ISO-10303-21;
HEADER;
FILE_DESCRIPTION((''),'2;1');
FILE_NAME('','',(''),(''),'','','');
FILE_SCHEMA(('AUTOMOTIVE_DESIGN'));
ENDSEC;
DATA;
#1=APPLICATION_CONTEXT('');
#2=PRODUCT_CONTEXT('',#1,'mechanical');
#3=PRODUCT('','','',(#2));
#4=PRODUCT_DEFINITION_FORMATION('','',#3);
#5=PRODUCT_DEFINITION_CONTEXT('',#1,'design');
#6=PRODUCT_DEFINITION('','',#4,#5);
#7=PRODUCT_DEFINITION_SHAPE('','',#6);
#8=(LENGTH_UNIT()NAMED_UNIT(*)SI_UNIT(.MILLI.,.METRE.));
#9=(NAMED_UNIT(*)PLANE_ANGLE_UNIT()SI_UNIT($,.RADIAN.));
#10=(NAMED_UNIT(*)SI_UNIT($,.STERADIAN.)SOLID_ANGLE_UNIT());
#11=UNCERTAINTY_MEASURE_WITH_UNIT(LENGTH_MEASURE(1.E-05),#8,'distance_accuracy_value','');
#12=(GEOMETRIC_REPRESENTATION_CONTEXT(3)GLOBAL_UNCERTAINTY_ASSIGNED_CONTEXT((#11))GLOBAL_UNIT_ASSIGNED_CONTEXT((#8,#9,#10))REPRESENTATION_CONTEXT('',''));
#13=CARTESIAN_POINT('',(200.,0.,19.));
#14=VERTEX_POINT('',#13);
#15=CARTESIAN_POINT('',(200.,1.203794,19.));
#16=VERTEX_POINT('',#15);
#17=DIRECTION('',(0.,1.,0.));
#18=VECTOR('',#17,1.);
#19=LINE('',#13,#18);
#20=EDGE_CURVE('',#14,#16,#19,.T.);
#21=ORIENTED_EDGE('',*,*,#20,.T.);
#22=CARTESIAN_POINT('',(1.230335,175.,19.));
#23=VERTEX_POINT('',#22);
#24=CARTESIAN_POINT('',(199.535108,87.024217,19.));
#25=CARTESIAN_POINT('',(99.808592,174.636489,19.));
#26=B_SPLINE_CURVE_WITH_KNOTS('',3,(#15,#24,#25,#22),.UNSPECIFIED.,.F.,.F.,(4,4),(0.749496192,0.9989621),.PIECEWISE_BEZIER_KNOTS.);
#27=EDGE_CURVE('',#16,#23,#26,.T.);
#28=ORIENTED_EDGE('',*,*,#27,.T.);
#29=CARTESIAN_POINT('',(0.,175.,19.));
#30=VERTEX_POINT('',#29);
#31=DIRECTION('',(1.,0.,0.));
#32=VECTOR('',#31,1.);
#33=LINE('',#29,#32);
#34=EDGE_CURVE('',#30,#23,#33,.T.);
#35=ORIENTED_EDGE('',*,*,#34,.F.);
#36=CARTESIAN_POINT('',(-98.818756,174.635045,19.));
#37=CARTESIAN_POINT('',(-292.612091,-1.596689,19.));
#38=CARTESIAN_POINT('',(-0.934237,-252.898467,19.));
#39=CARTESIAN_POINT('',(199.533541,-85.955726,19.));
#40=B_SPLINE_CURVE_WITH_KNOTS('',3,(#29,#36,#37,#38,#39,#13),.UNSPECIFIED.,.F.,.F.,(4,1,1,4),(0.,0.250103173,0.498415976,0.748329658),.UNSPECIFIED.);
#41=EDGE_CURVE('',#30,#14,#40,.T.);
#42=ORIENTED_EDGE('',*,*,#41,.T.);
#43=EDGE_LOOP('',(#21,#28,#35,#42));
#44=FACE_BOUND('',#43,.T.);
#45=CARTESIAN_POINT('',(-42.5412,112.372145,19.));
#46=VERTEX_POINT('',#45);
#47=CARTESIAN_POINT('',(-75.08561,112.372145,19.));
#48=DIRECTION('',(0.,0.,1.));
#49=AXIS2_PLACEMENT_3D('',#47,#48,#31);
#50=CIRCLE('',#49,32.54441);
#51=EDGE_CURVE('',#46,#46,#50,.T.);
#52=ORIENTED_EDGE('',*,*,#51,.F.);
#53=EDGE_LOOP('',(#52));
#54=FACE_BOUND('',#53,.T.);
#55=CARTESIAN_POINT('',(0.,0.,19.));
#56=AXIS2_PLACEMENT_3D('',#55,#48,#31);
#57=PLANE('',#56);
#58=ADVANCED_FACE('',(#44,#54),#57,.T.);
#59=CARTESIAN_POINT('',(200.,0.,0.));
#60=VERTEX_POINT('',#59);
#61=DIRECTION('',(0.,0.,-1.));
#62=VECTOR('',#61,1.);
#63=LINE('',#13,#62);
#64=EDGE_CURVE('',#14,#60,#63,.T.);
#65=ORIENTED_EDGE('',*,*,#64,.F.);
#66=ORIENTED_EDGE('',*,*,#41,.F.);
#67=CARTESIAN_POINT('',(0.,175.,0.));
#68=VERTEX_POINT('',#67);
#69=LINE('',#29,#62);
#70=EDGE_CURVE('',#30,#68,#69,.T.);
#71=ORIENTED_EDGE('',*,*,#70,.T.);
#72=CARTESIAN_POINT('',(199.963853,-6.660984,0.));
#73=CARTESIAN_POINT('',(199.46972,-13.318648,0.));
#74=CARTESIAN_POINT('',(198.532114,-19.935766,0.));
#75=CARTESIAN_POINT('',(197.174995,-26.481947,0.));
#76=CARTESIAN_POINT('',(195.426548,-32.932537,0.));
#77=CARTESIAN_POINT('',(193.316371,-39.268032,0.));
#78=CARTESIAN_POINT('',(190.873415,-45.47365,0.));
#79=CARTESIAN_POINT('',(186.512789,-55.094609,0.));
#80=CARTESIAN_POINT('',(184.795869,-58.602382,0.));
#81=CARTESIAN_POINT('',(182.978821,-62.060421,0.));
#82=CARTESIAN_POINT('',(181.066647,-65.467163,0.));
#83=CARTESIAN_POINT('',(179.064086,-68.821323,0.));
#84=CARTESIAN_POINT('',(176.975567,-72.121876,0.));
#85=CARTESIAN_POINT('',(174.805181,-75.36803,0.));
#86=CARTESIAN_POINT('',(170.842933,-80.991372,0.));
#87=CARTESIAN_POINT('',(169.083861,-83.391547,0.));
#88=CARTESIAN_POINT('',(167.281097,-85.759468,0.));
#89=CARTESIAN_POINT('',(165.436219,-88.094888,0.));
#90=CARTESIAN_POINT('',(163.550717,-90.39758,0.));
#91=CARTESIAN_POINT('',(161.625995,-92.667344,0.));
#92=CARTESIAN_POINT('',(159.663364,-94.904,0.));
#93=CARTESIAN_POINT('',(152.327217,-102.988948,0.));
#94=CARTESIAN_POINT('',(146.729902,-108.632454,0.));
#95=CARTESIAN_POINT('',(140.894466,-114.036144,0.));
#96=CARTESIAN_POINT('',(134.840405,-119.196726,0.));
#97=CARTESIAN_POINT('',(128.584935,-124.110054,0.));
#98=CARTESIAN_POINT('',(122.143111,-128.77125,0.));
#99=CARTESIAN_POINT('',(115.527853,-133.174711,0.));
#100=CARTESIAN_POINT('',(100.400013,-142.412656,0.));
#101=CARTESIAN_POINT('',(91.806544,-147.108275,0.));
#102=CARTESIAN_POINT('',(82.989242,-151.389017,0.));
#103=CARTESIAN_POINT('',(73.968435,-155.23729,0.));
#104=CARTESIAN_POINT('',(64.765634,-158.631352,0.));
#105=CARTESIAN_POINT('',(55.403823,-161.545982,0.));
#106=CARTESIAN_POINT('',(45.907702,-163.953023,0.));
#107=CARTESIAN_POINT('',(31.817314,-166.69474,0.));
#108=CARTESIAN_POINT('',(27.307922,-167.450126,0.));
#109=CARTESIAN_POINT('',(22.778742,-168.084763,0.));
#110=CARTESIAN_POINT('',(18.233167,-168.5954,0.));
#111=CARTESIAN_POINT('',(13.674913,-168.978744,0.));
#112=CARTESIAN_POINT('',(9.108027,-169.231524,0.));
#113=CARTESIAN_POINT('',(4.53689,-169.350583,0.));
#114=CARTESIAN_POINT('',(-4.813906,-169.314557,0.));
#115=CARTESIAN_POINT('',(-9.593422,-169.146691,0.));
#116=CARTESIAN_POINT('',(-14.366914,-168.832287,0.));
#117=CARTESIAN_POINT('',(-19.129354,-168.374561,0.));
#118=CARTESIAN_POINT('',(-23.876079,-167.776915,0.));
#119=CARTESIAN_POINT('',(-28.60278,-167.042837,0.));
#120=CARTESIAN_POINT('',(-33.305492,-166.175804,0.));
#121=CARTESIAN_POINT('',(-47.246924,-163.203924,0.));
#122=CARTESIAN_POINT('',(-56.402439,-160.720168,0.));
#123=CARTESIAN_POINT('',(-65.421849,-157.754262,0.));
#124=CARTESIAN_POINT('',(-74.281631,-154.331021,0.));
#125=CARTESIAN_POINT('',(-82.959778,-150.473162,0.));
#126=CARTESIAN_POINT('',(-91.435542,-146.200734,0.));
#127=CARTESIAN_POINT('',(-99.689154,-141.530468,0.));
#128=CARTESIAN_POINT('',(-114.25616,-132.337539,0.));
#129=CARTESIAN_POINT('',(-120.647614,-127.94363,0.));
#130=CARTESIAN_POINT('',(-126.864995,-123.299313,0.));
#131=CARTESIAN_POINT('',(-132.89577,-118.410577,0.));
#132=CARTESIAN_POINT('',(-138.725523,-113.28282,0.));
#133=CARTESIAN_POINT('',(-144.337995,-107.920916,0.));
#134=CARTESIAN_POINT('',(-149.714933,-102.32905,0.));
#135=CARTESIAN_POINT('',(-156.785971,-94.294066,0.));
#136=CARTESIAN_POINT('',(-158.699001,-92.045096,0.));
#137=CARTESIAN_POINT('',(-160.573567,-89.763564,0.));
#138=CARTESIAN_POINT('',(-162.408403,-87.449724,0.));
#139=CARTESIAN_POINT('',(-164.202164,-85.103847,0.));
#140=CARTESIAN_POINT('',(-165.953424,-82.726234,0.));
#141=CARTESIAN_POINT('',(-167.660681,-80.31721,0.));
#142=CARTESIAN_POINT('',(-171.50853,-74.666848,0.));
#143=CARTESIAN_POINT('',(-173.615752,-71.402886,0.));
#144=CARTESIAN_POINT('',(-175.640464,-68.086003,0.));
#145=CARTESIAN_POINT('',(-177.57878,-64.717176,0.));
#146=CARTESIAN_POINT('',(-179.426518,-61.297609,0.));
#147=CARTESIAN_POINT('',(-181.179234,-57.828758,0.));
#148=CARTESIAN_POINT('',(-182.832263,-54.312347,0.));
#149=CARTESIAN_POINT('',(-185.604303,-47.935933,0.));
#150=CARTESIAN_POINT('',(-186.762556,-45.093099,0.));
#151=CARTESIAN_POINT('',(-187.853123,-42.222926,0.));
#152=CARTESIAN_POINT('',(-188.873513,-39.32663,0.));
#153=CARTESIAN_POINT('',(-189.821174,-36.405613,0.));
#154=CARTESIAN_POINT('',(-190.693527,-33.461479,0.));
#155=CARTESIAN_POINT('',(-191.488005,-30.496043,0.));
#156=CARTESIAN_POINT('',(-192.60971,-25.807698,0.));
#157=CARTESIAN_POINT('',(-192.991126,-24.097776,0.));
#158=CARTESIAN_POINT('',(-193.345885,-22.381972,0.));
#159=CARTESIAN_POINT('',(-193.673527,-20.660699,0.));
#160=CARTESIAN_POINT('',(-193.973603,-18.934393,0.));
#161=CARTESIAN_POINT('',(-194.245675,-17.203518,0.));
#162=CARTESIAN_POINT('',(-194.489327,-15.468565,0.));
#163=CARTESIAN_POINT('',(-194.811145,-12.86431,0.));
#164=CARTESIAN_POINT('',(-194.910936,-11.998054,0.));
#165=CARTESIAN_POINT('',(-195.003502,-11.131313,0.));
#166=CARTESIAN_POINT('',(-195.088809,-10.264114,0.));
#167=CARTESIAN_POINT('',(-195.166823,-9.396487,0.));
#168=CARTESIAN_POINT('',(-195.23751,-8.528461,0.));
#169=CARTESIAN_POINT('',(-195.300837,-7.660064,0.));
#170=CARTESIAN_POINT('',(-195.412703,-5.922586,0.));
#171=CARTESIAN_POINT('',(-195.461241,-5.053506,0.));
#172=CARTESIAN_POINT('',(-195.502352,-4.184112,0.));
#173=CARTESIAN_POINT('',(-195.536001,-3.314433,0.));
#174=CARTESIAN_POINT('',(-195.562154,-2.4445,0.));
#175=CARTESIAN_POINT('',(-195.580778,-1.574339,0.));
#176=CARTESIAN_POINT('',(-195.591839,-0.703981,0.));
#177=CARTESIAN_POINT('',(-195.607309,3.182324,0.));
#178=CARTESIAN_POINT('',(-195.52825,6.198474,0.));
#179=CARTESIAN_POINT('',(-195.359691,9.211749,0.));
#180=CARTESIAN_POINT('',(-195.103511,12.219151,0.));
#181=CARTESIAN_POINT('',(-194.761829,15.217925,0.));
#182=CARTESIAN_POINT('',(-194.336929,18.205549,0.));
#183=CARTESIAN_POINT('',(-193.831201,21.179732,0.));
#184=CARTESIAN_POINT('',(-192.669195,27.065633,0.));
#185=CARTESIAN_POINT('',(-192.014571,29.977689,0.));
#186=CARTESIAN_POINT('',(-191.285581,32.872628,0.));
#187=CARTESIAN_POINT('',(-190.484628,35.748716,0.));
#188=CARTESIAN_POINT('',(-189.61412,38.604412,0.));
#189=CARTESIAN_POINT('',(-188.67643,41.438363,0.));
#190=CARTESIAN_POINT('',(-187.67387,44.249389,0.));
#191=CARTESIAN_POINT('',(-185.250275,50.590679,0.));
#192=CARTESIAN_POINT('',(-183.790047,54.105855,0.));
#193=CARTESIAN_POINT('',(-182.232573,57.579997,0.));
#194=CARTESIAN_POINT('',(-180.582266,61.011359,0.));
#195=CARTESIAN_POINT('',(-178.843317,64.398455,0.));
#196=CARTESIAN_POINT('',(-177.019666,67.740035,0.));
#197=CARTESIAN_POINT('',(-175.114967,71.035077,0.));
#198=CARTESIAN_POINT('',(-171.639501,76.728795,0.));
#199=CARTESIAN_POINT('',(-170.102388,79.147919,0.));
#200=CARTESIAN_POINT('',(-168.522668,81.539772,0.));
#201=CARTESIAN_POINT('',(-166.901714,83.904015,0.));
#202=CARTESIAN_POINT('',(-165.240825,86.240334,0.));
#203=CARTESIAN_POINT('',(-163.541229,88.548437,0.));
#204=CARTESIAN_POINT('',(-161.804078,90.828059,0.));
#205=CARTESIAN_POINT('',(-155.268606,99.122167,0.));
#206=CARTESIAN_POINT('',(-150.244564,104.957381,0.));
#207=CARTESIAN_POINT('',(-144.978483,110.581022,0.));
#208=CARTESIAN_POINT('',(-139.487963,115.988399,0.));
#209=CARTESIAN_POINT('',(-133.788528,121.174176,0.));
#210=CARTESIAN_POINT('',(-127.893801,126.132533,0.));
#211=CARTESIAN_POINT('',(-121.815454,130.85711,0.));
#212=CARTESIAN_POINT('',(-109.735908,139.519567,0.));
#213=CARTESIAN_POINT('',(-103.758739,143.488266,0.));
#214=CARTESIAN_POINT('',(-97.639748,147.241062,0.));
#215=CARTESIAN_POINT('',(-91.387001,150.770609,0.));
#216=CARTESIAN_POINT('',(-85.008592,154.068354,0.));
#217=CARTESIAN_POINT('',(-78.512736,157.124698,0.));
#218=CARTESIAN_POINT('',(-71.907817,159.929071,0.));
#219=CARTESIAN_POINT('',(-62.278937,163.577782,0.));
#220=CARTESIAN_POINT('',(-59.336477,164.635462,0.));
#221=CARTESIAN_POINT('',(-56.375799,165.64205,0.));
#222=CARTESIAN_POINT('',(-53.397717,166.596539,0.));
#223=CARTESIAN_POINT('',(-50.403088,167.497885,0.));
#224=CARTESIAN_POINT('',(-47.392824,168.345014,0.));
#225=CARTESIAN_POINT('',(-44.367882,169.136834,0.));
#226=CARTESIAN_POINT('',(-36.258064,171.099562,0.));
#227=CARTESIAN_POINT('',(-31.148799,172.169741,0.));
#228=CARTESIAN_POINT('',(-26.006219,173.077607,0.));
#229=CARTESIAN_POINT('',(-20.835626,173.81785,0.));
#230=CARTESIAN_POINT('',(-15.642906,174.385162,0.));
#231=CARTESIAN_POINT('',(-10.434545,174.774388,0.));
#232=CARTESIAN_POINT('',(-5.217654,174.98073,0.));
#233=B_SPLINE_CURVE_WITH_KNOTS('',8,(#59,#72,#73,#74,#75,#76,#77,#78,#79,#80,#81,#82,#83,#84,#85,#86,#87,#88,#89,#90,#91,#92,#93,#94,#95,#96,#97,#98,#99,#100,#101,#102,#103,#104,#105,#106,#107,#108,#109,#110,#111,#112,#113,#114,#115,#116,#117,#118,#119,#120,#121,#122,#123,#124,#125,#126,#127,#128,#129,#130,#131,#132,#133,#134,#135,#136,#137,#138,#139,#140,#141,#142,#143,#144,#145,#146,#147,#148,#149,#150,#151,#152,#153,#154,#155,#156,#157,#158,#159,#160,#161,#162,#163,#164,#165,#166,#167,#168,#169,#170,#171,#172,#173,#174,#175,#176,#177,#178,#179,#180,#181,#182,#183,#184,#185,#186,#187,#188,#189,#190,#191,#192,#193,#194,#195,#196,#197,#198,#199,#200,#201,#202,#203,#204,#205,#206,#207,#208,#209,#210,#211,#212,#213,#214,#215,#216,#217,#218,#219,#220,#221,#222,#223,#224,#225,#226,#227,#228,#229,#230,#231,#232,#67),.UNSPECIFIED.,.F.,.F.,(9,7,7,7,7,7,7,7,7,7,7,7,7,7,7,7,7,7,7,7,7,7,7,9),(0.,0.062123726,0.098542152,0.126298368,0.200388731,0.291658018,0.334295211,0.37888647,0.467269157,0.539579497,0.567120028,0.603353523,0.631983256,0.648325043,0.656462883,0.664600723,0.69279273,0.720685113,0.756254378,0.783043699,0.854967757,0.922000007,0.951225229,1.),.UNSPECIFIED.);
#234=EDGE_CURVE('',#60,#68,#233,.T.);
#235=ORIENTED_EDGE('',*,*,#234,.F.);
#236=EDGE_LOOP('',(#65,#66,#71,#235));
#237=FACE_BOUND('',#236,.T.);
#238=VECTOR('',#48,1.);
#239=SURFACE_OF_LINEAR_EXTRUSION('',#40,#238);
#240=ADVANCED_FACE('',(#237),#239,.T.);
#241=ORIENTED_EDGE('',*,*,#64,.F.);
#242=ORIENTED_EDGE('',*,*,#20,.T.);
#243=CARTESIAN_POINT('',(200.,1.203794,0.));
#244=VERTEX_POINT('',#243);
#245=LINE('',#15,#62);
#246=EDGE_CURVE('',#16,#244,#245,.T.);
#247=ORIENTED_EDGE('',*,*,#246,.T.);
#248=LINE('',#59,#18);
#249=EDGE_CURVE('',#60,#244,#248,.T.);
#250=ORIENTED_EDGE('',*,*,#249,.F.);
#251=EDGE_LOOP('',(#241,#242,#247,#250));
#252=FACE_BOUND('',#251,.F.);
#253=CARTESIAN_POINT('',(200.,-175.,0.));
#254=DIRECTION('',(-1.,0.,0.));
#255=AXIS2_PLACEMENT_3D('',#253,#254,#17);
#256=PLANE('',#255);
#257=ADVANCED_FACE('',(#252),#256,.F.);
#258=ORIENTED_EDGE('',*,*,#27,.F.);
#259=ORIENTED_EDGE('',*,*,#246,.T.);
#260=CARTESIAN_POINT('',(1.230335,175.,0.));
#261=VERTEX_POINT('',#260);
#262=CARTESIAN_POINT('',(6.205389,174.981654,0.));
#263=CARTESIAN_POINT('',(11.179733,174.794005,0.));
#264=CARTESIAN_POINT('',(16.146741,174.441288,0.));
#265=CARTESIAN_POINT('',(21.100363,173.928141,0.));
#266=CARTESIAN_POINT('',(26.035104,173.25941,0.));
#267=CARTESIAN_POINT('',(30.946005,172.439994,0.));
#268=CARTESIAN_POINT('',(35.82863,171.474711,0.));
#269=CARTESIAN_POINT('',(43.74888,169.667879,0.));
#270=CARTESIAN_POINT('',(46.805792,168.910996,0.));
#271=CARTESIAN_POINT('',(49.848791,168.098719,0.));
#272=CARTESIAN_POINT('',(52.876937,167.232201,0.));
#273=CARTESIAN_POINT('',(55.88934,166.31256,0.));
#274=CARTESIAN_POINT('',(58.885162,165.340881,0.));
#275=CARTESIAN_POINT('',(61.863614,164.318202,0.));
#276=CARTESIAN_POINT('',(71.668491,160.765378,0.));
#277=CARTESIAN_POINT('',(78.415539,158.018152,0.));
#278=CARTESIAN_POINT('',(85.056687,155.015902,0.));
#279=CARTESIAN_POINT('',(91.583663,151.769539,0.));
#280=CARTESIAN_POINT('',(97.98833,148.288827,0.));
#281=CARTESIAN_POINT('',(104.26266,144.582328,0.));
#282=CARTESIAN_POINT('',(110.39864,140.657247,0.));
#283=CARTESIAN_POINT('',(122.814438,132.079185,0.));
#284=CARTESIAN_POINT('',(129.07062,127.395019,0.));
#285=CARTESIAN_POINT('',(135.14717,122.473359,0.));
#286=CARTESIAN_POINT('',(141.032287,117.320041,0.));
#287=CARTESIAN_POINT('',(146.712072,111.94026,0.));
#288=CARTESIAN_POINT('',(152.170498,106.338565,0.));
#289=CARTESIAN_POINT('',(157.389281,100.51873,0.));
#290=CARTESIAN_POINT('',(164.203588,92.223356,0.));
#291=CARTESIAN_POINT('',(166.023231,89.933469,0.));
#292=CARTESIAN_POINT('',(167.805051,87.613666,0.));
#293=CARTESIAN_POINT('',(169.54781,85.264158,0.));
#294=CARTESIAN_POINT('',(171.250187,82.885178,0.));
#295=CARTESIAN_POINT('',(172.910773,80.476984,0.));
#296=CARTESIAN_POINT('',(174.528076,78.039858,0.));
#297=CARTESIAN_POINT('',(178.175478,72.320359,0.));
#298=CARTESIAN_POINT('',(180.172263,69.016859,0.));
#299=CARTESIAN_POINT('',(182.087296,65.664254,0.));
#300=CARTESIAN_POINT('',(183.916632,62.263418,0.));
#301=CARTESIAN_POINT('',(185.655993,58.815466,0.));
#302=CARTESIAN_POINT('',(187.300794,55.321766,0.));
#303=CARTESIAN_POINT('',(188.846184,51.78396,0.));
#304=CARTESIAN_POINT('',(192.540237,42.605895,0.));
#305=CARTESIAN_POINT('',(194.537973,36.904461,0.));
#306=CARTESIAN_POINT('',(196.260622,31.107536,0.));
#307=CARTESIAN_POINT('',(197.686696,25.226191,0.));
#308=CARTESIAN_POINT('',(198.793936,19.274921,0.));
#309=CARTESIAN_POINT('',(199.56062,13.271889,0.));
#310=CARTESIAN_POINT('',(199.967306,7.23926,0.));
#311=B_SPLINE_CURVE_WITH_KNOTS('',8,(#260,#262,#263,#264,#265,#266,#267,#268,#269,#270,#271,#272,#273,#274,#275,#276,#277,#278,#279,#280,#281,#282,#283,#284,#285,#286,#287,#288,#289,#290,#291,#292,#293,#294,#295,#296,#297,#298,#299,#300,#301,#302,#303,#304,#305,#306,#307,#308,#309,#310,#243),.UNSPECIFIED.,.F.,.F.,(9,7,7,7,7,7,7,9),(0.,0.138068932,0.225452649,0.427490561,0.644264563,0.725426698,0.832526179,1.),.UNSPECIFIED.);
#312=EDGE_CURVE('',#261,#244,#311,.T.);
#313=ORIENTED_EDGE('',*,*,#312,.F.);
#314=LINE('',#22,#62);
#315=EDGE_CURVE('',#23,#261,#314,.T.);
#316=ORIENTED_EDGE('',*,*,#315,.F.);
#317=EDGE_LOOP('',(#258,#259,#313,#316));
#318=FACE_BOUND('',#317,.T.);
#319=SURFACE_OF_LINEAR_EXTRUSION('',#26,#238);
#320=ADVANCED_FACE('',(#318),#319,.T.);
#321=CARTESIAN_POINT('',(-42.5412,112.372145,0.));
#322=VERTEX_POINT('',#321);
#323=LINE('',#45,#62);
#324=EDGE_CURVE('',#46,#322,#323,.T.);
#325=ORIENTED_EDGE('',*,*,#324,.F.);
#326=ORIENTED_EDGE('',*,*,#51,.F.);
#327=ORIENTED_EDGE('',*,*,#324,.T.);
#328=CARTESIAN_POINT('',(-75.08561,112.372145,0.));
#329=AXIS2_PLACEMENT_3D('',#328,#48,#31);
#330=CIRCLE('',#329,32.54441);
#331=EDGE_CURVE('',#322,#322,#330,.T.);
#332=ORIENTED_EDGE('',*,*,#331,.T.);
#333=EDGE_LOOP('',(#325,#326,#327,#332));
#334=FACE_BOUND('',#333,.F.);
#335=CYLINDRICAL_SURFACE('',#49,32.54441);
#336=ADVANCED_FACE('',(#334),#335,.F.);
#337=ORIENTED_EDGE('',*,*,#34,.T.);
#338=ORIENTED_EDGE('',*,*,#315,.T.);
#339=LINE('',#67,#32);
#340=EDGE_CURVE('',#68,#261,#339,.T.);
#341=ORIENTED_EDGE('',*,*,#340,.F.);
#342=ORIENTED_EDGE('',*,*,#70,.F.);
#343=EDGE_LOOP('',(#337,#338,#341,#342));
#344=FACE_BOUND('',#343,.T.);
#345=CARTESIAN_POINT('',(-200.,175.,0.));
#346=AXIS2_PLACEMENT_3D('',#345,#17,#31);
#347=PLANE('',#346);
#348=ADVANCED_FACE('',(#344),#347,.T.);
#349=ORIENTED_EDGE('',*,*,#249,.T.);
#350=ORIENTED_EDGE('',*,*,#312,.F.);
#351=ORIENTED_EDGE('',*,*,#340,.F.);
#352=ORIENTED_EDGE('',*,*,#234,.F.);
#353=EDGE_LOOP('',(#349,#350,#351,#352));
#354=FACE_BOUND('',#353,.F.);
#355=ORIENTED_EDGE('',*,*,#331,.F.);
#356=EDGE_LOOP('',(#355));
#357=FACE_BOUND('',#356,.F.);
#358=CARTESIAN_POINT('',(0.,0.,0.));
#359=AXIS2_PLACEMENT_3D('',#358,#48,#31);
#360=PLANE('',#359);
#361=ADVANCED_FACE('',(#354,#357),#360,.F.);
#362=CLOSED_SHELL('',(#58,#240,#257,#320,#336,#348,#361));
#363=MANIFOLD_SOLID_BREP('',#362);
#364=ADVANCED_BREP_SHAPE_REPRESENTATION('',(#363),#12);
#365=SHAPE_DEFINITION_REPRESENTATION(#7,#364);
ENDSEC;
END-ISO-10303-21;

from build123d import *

# Parameters (mm, degrees)
F0_W     = 400
F0_H     = 350
F1_DEPTH = 19
F3_DEPTH = 25
F2_R     = 32.5444100718
F4_DEPTH = 25


with BuildPart() as f1:
    # F0 (on Top) → F1 (new body)
    with BuildSketch(Plane.XY):
        Rectangle(F0_W, F0_H)
    extrude(amount=F1_DEPTH)

    # F2 (on face) → F3 (cut)
    with BuildSketch(Plane.XY.offset(19)):
        with BuildLine():
            Line((200, 175), (1.2303346045, 175))
            add(Edge.make_bspline(
                [(200, 1.2037944383), (199.5351083689, 87.0242167051), (99.8085920468, 174.6364886784), (1.2303346045, 175)],
                knots=[0.7494961922, 0.7494961922, 0.7494961922, 0.7494961922, 0.9989620997, 0.9989620997, 0.9989620997, 0.9989620997], degree=3))
            Line((200, 1.2037944383), (200, 175))
        make_face()
        with BuildLine():
            add(Edge.make_bspline(
                [(0, 175), (-98.8187558399, 174.6350450151), (-292.6120906446, -1.5966892013), (-0.9342373868, -252.8984666735), (199.5335407467, -85.9557258275), (200, 0)],
                knots=[0, 0, 0, 0, 0.2501031726, 0.4984159764, 0.7483296585, 0.7483296585, 0.7483296585, 0.7483296585], degree=3))
            Line((0, 175), (-200, 175))
            Line((-200, 175), (-200, -175))
            Line((-200, -175), (200, -175))
            Line((200, -175), (200, 0))
        make_face()
    extrude(amount=-F3_DEPTH, mode=Mode.SUBTRACT)

    # F2 (on face) → F4 (cut)
    with BuildSketch(Plane.XY.offset(19)):
        with Locations((-75.0856101513, 112.3721450567)):
            Circle(F2_R)
    extrude(amount=-F4_DEPTH, mode=Mode.SUBTRACT)


solid = f1.part
